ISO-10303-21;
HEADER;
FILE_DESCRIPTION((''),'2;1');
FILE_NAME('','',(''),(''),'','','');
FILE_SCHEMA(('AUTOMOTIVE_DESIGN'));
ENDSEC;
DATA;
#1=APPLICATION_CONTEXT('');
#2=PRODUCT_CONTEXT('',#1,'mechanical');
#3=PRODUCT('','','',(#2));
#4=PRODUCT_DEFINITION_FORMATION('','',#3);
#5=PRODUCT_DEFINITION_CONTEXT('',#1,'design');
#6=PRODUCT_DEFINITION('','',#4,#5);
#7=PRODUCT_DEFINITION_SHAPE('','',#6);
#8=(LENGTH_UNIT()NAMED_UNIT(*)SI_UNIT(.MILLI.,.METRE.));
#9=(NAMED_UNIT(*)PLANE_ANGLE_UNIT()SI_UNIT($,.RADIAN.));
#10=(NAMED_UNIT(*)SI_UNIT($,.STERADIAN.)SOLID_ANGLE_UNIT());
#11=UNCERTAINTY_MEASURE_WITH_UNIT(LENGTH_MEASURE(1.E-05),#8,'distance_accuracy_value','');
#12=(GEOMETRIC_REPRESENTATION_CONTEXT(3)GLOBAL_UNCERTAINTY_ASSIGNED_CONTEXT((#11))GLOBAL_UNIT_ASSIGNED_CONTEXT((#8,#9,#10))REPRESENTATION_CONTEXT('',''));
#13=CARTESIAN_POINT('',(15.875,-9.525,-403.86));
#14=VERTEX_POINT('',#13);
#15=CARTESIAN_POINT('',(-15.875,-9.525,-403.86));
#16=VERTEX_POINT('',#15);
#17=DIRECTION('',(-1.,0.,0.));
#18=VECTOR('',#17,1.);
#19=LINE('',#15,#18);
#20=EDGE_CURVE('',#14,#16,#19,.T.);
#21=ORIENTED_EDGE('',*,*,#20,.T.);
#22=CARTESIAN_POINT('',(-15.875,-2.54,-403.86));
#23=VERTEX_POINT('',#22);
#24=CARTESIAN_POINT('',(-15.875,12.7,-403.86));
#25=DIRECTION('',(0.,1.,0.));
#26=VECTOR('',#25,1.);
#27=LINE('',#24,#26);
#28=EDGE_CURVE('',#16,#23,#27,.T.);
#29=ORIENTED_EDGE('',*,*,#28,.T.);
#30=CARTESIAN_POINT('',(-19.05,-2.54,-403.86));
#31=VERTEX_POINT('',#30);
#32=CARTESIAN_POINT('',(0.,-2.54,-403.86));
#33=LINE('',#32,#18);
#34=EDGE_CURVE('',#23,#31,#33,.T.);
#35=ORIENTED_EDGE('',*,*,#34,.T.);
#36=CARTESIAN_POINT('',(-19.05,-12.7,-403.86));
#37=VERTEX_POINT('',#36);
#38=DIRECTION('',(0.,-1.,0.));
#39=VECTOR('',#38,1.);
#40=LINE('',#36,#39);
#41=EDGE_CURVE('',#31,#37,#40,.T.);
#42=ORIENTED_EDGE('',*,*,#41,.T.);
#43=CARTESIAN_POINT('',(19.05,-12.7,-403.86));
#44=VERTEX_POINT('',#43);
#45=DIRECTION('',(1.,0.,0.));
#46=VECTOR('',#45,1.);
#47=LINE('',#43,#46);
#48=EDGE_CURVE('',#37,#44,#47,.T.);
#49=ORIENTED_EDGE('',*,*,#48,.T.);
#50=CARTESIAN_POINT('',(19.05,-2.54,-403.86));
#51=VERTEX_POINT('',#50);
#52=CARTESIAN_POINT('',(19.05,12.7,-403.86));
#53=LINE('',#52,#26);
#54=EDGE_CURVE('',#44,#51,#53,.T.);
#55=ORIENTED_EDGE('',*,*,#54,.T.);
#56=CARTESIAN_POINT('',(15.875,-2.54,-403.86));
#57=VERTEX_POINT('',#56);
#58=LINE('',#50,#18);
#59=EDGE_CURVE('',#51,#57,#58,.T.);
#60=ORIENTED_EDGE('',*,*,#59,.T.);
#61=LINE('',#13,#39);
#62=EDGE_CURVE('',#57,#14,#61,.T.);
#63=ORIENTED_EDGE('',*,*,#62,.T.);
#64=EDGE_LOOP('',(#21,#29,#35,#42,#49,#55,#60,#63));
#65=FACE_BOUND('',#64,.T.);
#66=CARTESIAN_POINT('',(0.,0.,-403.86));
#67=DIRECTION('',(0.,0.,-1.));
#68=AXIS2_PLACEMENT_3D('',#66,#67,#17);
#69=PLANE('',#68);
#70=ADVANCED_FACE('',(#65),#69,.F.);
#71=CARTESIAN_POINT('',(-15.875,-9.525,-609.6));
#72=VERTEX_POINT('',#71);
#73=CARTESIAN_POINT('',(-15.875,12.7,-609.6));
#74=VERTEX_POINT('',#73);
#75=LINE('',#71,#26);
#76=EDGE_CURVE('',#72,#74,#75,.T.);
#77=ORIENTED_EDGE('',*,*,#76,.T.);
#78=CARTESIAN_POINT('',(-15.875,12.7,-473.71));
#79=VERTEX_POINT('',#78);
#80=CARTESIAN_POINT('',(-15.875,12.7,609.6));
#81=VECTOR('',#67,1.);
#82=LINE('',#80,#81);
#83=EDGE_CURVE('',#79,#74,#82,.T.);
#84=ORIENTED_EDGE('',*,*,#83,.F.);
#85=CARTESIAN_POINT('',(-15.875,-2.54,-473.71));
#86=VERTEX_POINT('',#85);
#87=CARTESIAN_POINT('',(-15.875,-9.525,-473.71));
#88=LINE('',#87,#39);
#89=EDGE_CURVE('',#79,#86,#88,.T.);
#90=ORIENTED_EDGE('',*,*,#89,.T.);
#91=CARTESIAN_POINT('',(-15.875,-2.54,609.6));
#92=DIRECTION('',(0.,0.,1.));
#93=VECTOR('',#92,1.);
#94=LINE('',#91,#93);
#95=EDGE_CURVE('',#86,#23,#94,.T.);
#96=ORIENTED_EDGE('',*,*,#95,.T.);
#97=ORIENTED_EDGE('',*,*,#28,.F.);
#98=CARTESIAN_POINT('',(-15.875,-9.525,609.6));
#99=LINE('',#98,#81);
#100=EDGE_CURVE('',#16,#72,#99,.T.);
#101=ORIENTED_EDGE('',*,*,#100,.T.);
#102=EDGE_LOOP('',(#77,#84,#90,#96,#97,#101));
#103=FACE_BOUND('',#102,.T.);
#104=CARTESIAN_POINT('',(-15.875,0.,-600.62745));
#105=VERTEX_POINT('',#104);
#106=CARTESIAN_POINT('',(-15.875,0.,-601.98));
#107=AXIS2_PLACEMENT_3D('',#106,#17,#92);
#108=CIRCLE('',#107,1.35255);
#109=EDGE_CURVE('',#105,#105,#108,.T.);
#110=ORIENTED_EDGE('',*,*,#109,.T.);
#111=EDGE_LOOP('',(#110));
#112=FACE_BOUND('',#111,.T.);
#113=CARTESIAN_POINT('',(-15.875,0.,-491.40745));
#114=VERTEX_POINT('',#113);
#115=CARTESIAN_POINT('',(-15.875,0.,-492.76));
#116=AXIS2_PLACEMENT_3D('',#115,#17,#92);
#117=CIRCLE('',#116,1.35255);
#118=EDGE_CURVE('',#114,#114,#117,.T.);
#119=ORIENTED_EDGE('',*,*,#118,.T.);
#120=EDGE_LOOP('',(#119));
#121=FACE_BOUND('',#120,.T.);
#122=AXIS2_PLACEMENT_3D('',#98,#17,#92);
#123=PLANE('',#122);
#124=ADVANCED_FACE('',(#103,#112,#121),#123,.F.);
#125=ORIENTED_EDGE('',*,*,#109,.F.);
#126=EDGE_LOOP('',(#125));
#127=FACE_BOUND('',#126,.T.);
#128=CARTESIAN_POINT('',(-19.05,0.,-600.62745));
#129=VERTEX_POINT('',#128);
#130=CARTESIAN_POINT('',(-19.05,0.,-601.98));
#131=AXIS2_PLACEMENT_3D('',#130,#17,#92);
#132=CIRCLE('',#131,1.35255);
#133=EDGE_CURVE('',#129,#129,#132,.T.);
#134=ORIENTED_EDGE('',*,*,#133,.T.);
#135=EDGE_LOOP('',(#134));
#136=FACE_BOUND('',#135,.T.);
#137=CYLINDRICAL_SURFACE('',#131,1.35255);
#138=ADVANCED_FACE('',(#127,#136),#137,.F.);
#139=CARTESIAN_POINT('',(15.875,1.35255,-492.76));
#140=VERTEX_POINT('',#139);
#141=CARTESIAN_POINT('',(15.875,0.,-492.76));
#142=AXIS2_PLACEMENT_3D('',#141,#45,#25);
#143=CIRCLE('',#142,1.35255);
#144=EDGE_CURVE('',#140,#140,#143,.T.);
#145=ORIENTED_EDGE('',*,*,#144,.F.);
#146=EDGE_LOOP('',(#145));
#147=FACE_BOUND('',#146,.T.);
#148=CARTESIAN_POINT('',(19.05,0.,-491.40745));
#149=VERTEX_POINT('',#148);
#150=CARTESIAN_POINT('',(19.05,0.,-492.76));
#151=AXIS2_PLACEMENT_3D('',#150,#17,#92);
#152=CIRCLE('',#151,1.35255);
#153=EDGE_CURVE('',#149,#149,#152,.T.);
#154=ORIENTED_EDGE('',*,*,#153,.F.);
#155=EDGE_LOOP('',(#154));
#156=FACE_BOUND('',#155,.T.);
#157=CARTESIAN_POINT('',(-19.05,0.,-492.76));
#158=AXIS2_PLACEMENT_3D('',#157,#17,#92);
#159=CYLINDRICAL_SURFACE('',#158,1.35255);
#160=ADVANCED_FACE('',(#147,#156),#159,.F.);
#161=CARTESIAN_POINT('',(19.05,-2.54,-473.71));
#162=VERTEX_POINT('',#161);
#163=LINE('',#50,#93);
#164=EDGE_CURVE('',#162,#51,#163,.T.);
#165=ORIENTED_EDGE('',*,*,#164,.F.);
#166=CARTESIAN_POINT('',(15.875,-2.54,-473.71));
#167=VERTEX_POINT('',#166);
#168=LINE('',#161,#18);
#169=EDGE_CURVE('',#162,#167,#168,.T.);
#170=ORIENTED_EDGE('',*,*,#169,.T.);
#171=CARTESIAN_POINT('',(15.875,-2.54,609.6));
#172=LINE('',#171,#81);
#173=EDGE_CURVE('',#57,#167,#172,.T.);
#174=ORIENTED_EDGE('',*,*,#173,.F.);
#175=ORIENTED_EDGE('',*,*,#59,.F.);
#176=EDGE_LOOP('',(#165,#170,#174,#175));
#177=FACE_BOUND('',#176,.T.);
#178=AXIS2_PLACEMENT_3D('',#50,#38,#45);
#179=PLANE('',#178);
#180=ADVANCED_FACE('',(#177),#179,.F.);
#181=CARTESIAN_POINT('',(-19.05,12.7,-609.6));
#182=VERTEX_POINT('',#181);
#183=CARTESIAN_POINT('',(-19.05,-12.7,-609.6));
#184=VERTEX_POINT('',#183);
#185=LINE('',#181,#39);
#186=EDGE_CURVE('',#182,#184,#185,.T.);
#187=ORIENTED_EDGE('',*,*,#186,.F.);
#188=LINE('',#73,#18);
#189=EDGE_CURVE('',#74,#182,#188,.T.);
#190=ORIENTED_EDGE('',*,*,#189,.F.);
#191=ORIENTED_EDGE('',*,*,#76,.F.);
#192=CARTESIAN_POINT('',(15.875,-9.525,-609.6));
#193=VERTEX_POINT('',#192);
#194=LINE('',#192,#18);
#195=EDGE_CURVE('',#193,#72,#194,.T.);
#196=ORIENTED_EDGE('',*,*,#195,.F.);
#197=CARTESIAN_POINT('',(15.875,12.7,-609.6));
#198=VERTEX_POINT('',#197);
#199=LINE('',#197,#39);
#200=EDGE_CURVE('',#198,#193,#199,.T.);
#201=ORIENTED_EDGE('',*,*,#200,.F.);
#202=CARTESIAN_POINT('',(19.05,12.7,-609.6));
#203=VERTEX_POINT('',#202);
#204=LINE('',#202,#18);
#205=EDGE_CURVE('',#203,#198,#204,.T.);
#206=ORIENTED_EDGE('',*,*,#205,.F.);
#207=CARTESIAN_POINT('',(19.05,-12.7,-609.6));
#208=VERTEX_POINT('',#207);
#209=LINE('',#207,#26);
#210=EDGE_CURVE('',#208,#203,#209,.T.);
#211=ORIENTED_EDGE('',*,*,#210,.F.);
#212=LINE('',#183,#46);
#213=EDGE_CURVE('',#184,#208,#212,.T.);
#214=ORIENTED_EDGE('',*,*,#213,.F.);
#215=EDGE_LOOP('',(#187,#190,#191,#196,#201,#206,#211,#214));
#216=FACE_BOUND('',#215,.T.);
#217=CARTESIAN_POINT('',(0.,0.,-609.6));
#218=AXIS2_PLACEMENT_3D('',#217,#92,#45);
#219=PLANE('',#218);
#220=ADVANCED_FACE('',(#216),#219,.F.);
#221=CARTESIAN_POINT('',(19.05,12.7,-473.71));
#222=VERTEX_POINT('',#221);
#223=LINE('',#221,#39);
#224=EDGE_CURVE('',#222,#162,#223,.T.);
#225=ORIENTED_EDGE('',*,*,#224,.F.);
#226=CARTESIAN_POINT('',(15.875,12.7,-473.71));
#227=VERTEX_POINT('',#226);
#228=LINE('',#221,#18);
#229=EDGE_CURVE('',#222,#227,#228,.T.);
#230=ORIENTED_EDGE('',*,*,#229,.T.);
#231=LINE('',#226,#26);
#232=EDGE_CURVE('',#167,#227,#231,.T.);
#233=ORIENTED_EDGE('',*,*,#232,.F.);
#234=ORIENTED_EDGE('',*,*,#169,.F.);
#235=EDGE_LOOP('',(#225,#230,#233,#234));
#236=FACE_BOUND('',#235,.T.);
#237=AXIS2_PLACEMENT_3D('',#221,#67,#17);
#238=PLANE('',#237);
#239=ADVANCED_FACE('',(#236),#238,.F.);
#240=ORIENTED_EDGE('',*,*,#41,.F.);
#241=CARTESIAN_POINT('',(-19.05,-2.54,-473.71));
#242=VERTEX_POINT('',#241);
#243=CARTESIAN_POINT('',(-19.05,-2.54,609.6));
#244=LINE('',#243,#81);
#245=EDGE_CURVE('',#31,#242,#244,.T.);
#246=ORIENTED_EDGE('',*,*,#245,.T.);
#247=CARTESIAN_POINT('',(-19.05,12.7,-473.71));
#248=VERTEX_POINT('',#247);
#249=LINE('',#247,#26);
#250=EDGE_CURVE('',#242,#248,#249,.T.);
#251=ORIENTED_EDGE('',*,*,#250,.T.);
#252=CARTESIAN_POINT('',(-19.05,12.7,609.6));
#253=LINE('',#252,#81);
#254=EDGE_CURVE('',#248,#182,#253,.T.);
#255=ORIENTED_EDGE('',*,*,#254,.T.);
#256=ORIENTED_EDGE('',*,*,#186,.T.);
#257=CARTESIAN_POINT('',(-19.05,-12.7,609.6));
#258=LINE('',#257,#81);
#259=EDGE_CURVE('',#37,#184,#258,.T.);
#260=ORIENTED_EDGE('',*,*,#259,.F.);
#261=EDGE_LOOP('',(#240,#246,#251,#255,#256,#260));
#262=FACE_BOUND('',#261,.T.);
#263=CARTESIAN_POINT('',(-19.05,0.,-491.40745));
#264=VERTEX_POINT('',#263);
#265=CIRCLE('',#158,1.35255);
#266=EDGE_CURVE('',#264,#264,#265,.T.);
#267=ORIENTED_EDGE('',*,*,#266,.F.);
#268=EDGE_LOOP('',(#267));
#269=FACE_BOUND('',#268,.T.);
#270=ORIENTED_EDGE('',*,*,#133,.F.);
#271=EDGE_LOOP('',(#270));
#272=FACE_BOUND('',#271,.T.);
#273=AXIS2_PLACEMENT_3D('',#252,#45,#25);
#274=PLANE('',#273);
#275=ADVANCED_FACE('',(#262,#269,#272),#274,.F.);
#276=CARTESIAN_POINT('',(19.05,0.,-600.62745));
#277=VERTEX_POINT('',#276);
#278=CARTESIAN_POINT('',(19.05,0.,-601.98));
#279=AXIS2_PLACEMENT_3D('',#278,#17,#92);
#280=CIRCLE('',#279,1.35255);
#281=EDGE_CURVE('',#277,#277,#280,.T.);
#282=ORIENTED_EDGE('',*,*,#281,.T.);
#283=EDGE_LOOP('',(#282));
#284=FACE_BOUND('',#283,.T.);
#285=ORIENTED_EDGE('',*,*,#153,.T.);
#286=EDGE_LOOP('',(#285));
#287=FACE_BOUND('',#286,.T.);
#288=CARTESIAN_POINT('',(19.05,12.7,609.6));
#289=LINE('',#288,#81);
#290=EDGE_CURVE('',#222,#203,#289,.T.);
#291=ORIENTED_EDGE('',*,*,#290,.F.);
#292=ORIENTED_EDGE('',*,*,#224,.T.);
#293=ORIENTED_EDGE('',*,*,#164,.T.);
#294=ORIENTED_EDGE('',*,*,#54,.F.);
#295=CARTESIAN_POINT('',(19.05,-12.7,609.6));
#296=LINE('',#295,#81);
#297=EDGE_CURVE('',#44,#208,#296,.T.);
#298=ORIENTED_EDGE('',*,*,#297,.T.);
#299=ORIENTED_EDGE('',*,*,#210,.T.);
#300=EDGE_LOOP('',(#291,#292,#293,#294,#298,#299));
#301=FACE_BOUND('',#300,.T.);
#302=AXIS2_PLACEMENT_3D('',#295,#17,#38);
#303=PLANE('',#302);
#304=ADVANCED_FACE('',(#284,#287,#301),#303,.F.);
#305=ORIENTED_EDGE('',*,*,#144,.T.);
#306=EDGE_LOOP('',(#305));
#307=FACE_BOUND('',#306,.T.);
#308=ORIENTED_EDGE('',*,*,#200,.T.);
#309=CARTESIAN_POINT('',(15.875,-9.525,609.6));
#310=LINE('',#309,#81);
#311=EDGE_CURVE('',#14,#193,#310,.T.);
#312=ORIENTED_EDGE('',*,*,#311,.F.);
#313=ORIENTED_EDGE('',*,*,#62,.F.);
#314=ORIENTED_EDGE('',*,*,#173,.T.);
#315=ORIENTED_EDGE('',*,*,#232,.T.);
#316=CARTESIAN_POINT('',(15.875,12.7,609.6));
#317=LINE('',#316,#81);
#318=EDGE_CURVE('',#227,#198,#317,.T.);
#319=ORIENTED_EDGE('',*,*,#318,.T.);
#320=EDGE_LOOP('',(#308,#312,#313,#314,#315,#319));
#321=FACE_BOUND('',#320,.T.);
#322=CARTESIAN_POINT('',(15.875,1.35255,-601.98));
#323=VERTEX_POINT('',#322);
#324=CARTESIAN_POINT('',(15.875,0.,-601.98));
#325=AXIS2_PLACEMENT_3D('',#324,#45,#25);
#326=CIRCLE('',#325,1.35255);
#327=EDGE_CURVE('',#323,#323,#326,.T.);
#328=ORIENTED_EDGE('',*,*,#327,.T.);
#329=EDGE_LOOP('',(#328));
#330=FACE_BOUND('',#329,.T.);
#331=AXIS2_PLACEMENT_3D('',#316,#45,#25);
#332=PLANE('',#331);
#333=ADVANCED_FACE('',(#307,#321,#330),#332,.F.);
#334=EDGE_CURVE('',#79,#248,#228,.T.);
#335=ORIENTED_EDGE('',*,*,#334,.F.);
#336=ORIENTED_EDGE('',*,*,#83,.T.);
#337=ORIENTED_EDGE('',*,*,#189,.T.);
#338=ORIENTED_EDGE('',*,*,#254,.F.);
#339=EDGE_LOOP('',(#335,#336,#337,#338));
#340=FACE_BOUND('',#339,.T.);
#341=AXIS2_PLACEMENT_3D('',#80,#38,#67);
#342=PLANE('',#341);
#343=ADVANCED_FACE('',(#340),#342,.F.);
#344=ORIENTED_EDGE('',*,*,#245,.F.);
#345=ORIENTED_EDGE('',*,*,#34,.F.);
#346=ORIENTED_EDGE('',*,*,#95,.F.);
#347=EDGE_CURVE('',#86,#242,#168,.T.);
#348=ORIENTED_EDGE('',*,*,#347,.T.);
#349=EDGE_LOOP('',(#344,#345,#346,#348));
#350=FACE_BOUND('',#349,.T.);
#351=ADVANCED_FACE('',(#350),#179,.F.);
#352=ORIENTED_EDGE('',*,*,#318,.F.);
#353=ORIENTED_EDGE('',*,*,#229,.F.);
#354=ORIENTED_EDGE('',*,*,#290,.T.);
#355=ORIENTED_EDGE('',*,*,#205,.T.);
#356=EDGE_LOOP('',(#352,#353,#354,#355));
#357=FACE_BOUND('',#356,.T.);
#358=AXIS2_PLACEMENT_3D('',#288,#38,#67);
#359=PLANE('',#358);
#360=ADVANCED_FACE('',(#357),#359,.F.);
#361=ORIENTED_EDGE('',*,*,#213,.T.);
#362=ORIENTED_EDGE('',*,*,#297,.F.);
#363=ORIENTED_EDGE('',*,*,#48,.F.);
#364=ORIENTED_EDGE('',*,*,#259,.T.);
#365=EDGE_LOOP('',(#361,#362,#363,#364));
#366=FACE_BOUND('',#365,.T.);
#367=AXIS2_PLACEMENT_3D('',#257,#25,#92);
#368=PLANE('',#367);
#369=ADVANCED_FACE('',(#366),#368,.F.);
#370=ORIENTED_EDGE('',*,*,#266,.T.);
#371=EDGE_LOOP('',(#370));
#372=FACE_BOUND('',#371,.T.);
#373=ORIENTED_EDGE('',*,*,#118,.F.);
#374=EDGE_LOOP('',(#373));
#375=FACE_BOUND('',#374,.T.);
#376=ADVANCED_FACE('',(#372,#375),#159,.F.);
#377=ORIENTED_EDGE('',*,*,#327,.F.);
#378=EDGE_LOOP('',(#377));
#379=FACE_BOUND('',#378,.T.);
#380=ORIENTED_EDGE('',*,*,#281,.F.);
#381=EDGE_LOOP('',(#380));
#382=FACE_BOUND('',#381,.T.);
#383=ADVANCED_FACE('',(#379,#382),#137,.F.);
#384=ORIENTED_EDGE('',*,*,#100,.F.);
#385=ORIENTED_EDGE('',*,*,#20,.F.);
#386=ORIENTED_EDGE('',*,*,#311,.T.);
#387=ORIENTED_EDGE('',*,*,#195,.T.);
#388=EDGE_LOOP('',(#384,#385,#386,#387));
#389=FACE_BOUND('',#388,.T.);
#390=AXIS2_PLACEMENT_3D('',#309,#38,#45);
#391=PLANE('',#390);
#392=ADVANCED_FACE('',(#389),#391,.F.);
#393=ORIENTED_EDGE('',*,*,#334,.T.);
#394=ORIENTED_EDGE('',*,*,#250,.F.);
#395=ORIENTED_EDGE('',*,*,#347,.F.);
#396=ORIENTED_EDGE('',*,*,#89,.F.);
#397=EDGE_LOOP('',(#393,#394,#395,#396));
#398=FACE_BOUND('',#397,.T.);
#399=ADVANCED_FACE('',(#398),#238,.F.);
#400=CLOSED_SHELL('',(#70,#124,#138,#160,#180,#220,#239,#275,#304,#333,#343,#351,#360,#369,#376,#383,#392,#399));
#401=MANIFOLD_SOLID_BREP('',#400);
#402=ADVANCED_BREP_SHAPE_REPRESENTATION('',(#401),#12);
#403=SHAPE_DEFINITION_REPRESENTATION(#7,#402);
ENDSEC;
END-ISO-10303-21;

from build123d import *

# Parameters (mm, degrees)
BOSS_EXTRUDE2_DEPTH     = 609.6
CUT_EXTRUDE1_DEPTH      = 1013.46
F_6_32_TAPPED_HOLE1_D   = 2.7051
F_6_32_TAPPED_HOLE2_D   = 2.7051
CUT_EXTRUDE4_DEPTH      = 611.921484317
CUT_EXTRUDE4_DEPTH_BACK = 611.921484317
SKETCH13_W              = 69.85
SKETCH13_H              = 15.24


with BuildPart() as part:
    # Sketch3 → Boss-Extrude2 (new, symmetric)
    with BuildSketch(Plane.XY):
        Polygon((-19.05, 12.7), (-19.05, -12.7), (19.05, -12.7), (19.05, 12.7), (15.875, 12.7), (15.875, -9.525), (-15.875, -9.525), (-15.875, 12.7), align=None)
    extrude(amount=BOSS_EXTRUDE2_DEPTH, both=True)

    # Sketch5 → Cut-Extrude1 (cut)
    with BuildSketch(Plane.XY.offset(609.6)):
        Polygon((-19.05, 12.7), (-15.875, 12.7), (-15.875, -9.525), (15.875, -9.525), (15.875, 12.7), (19.05, 12.7), (19.05, -12.7), (-19.05, -12.7), align=None)
    extrude(amount=-CUT_EXTRUDE1_DEPTH, mode=Mode.SUBTRACT)

    # #6-32 Tapped Hole1 (through all)
    with Locations(Plane.ZY.offset(19.05)):
        with Locations((-601.98, 0)):
            Hole(F_6_32_TAPPED_HOLE1_D / 2)

    # #6-32 Tapped Hole2 (through all)
    with Locations(Plane.ZY.offset(19.05)):
        with Locations((-492.76, 0)):
            Hole(F_6_32_TAPPED_HOLE2_D / 2)

    # Sketch13 → Cut-Extrude4 (cut, two sides: drawn at the far end of the back side and taken through both)
    with BuildSketch(Plane.ZY.offset(19.05).offset(-CUT_EXTRUDE4_DEPTH_BACK)):
        with Locations((-438.785, 5.08)):
            Rectangle(SKETCH13_W, SKETCH13_H)
    extrude(amount=CUT_EXTRUDE4_DEPTH + CUT_EXTRUDE4_DEPTH_BACK, mode=Mode.SUBTRACT)


solid = part.part
